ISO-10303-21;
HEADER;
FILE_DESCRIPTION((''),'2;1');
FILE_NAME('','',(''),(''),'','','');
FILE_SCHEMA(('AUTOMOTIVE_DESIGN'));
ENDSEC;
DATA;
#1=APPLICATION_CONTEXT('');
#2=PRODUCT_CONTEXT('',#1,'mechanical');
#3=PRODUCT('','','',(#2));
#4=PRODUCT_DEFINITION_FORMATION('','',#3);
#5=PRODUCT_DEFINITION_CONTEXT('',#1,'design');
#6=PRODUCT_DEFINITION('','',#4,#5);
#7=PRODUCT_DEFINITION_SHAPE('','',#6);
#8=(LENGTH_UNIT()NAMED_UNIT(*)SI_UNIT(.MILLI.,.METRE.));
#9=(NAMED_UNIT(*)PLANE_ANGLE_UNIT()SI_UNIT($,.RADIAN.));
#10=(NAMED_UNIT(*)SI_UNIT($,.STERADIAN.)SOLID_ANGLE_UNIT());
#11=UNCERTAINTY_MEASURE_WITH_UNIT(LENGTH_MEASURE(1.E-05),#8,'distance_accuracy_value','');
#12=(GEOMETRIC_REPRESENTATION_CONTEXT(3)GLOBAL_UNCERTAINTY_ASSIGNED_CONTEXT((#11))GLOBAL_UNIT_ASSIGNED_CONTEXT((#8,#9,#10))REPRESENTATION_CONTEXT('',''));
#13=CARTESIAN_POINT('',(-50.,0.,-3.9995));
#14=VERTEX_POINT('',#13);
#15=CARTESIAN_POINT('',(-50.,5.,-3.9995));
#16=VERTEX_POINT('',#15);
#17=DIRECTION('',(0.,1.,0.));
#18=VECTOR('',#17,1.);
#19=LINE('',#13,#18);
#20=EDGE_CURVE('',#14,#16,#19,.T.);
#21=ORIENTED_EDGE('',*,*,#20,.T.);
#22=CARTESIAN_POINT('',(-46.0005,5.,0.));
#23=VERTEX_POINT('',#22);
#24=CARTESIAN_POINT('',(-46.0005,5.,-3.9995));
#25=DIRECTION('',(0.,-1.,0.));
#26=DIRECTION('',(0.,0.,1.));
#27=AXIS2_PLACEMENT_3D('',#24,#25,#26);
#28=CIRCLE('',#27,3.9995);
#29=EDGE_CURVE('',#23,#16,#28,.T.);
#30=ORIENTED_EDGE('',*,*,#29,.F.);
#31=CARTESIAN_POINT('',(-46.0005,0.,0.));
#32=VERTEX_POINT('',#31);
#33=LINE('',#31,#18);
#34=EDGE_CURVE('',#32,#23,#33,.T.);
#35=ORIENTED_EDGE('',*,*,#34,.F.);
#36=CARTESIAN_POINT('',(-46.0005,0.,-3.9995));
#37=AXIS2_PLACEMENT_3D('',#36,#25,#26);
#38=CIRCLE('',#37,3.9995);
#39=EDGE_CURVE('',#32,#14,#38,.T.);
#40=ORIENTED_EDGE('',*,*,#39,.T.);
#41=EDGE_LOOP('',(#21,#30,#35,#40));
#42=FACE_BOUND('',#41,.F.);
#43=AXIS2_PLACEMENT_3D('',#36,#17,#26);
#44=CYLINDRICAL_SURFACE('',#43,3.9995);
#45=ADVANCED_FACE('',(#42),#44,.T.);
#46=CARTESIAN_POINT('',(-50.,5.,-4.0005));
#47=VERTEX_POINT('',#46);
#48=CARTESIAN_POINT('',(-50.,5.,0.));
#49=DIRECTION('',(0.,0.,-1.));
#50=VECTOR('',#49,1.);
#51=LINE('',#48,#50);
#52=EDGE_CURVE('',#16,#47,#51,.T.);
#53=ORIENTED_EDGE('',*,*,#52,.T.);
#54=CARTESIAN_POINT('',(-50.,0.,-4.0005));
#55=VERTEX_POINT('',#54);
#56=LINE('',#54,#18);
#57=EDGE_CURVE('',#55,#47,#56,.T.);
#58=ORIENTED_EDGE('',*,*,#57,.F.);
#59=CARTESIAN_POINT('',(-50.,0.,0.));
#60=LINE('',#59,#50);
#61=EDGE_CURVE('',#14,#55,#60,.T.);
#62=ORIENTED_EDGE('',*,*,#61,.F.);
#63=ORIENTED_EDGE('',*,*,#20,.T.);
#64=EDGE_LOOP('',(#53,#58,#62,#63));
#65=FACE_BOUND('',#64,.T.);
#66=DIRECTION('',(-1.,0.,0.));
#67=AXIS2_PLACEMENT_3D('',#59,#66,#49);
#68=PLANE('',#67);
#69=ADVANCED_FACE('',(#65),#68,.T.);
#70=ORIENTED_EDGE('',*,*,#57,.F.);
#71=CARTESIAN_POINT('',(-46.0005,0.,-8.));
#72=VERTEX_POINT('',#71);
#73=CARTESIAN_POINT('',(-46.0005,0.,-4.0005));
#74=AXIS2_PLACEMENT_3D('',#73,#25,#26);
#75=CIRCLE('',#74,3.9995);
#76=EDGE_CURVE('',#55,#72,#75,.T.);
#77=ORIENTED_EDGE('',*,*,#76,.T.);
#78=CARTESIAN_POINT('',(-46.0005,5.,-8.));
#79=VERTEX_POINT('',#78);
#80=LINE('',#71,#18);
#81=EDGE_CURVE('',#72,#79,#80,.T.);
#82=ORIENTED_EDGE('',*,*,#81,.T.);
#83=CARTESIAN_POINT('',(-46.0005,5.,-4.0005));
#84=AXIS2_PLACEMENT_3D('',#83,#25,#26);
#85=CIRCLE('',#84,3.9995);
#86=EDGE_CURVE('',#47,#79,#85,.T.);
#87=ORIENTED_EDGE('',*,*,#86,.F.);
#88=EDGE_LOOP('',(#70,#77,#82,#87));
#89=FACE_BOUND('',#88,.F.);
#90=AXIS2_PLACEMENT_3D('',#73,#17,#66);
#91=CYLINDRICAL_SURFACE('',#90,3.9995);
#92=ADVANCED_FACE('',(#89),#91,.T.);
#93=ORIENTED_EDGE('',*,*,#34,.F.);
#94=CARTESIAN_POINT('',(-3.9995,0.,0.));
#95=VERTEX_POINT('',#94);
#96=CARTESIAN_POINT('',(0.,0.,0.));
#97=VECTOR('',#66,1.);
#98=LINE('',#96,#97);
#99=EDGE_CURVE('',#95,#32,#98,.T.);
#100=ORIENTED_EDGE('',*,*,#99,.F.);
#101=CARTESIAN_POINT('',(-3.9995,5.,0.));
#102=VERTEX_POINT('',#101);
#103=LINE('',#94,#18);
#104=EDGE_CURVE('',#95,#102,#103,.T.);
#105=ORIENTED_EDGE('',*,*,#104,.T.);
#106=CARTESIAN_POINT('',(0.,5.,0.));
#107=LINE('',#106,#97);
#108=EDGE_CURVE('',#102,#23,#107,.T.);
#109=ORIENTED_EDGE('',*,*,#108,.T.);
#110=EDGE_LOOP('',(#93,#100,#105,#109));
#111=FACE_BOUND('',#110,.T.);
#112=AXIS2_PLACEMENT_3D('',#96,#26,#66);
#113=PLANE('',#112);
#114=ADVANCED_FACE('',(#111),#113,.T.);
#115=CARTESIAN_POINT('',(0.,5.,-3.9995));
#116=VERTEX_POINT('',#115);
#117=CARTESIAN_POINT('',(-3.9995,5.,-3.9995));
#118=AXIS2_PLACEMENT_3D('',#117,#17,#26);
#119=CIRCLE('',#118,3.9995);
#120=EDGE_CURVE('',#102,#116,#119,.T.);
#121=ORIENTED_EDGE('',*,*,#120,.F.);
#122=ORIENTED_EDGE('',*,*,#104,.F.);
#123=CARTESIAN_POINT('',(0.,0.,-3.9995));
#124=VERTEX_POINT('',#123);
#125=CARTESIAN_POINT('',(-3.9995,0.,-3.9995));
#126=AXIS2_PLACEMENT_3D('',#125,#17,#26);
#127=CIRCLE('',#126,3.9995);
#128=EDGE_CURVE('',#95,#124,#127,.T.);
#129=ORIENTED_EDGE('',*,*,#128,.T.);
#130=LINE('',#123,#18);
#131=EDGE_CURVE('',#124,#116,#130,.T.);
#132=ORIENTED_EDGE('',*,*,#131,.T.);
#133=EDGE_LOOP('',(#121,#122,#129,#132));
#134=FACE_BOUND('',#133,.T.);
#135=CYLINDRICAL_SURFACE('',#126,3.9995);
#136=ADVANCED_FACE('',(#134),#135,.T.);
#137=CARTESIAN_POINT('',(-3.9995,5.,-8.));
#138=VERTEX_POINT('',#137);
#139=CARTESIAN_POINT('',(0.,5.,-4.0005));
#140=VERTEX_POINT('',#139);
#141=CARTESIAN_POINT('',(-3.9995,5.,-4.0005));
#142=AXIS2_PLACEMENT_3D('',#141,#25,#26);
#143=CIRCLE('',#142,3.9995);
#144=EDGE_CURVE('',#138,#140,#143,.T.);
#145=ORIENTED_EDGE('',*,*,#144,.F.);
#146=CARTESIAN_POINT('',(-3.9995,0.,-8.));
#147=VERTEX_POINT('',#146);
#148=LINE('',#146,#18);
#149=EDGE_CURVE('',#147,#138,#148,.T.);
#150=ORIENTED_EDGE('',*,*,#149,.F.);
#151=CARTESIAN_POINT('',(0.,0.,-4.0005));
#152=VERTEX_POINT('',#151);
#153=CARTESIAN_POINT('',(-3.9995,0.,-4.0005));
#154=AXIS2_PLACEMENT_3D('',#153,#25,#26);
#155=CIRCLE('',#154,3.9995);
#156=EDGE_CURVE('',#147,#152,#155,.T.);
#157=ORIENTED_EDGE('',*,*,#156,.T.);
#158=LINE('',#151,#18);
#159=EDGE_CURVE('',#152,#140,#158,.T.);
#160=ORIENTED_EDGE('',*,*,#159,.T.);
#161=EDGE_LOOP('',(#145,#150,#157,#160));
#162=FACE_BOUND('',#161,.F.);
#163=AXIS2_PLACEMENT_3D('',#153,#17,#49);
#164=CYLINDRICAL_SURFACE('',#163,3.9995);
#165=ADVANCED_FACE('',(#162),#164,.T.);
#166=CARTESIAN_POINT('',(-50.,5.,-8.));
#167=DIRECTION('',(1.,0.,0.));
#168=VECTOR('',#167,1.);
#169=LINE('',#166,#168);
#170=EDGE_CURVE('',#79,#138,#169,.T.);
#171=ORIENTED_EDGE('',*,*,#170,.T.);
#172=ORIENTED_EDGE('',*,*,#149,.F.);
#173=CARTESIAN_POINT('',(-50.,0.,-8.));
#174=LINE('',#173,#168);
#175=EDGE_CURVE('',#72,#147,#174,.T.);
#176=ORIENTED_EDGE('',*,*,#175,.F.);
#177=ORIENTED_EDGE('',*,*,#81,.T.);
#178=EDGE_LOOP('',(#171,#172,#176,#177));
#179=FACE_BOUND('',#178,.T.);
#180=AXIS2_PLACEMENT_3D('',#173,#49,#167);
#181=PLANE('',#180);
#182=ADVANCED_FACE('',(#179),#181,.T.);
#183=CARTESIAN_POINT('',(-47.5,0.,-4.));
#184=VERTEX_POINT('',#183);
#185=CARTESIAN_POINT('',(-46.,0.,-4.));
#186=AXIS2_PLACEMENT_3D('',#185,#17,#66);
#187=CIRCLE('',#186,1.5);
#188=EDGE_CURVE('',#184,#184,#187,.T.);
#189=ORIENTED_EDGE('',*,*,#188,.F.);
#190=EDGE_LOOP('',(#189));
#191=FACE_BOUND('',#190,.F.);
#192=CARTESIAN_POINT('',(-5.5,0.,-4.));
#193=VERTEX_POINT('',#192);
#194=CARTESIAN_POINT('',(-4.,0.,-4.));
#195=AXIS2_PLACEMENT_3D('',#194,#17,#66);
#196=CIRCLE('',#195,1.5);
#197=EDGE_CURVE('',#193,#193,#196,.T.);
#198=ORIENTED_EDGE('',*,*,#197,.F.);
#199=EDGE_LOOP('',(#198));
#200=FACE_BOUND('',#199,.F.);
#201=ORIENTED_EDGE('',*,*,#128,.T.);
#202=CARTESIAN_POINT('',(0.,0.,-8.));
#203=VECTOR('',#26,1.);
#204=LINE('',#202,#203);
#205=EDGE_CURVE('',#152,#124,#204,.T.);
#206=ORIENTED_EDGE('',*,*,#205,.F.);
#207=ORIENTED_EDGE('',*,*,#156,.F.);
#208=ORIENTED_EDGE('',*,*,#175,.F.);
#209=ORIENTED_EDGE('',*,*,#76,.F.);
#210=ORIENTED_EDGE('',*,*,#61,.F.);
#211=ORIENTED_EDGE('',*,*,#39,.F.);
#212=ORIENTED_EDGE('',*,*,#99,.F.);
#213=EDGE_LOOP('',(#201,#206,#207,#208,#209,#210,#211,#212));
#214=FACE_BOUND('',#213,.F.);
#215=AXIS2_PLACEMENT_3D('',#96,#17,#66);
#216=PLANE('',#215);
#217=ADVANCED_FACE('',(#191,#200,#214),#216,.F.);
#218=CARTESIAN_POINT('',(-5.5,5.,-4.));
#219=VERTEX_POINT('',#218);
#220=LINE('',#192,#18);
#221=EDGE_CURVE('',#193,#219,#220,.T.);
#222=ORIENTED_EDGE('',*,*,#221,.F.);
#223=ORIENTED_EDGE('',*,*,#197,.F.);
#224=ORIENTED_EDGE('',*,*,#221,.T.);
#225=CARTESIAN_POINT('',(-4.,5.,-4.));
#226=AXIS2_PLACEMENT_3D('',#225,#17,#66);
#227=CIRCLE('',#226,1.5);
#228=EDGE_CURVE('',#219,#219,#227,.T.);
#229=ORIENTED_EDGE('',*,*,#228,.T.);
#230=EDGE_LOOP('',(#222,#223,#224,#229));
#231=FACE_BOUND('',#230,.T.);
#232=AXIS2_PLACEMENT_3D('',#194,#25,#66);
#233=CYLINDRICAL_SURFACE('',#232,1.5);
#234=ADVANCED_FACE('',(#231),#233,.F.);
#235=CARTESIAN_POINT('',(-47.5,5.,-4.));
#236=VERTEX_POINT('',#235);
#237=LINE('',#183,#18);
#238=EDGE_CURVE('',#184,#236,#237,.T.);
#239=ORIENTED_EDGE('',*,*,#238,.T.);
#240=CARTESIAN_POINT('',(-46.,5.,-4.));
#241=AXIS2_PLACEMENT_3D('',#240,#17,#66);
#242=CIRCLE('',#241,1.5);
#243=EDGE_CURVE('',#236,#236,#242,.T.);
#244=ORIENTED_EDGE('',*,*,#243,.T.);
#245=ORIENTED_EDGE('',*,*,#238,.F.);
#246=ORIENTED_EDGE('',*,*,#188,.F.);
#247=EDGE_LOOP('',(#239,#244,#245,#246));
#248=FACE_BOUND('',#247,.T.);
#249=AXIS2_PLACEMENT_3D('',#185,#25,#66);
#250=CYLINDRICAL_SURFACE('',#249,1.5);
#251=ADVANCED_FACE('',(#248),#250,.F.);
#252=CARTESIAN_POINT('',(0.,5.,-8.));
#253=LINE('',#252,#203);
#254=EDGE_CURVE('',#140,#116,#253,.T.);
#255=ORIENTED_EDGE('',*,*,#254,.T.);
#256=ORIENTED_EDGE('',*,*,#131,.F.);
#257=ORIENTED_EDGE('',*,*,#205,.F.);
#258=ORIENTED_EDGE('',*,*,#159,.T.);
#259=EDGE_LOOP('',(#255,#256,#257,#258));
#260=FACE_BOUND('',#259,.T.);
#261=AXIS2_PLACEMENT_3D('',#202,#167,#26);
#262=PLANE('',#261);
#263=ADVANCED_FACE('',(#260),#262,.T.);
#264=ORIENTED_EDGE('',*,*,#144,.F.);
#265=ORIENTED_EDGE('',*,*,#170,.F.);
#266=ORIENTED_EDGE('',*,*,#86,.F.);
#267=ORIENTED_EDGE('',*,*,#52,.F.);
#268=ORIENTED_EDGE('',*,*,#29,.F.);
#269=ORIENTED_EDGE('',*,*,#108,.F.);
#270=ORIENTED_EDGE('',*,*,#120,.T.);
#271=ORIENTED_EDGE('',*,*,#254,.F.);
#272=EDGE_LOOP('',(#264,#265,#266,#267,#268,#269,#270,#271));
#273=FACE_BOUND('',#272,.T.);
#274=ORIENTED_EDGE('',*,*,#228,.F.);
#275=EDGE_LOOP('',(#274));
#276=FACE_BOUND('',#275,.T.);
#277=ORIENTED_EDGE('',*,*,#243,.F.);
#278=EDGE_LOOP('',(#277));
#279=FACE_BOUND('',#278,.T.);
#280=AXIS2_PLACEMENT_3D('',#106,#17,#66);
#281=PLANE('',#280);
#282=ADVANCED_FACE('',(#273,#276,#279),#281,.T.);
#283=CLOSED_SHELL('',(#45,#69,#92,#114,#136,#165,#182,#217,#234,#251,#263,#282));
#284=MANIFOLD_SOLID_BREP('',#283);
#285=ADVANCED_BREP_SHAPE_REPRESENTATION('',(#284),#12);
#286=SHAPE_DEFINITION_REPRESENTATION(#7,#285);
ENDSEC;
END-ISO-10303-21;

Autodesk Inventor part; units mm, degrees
ref_plane "YZ Plane" through (0, 0, 0) normal (1, 0, 0) x (0, 1, 0)
ref_plane "XZ Plane" through (0, 0, 0) normal (0, 1, 0) x (-1, 0, 0)
ref_plane "XY Plane" through (0, 0, 0) normal (0, 0, 1) x (1, 0, 0)
sketch "Esquisse1" plane through (0, 0, 0) normal (0, 1, 0) x (-1, 0, 0)
  line L0 (0, 0) -> (50, 0)
  line L1 (50, 0) -> (50, -8)
  line L2 (50, -8) -> (0, -8)
  line L3 (0, -8) -> (0, 0)
  circle A0 centre (46, -4) radius 1.5
  circle A1 centre (4, -4) radius 1.5
  dimension "d0" = 8
  dimension "d1" = 50
  dimension "d2" = 3
  dimension "d3" = 3
  dimension "d4" = 4
  dimension "d5" = 4
  dimension "d6" = 4
  dimension "d7" = 4
extrude "Extrusion1" add sketch "Esquisse1" along normal blind 5
fillet "Congé1" radius 4 4 edges at (-50, 2.5, 0) (-50, 2.5, -8) (0, 2.5, 0) (0, 2.5, -8)
equation "\"d3\" = d2"
equation "\"d4\" = 0.5 * d0"
equation "\"d5\" = d4"
equation "\"d6\" = d4"
equation "\"d7\" = d5"
properties part number "biellette2" material "Acier inoxydable"
